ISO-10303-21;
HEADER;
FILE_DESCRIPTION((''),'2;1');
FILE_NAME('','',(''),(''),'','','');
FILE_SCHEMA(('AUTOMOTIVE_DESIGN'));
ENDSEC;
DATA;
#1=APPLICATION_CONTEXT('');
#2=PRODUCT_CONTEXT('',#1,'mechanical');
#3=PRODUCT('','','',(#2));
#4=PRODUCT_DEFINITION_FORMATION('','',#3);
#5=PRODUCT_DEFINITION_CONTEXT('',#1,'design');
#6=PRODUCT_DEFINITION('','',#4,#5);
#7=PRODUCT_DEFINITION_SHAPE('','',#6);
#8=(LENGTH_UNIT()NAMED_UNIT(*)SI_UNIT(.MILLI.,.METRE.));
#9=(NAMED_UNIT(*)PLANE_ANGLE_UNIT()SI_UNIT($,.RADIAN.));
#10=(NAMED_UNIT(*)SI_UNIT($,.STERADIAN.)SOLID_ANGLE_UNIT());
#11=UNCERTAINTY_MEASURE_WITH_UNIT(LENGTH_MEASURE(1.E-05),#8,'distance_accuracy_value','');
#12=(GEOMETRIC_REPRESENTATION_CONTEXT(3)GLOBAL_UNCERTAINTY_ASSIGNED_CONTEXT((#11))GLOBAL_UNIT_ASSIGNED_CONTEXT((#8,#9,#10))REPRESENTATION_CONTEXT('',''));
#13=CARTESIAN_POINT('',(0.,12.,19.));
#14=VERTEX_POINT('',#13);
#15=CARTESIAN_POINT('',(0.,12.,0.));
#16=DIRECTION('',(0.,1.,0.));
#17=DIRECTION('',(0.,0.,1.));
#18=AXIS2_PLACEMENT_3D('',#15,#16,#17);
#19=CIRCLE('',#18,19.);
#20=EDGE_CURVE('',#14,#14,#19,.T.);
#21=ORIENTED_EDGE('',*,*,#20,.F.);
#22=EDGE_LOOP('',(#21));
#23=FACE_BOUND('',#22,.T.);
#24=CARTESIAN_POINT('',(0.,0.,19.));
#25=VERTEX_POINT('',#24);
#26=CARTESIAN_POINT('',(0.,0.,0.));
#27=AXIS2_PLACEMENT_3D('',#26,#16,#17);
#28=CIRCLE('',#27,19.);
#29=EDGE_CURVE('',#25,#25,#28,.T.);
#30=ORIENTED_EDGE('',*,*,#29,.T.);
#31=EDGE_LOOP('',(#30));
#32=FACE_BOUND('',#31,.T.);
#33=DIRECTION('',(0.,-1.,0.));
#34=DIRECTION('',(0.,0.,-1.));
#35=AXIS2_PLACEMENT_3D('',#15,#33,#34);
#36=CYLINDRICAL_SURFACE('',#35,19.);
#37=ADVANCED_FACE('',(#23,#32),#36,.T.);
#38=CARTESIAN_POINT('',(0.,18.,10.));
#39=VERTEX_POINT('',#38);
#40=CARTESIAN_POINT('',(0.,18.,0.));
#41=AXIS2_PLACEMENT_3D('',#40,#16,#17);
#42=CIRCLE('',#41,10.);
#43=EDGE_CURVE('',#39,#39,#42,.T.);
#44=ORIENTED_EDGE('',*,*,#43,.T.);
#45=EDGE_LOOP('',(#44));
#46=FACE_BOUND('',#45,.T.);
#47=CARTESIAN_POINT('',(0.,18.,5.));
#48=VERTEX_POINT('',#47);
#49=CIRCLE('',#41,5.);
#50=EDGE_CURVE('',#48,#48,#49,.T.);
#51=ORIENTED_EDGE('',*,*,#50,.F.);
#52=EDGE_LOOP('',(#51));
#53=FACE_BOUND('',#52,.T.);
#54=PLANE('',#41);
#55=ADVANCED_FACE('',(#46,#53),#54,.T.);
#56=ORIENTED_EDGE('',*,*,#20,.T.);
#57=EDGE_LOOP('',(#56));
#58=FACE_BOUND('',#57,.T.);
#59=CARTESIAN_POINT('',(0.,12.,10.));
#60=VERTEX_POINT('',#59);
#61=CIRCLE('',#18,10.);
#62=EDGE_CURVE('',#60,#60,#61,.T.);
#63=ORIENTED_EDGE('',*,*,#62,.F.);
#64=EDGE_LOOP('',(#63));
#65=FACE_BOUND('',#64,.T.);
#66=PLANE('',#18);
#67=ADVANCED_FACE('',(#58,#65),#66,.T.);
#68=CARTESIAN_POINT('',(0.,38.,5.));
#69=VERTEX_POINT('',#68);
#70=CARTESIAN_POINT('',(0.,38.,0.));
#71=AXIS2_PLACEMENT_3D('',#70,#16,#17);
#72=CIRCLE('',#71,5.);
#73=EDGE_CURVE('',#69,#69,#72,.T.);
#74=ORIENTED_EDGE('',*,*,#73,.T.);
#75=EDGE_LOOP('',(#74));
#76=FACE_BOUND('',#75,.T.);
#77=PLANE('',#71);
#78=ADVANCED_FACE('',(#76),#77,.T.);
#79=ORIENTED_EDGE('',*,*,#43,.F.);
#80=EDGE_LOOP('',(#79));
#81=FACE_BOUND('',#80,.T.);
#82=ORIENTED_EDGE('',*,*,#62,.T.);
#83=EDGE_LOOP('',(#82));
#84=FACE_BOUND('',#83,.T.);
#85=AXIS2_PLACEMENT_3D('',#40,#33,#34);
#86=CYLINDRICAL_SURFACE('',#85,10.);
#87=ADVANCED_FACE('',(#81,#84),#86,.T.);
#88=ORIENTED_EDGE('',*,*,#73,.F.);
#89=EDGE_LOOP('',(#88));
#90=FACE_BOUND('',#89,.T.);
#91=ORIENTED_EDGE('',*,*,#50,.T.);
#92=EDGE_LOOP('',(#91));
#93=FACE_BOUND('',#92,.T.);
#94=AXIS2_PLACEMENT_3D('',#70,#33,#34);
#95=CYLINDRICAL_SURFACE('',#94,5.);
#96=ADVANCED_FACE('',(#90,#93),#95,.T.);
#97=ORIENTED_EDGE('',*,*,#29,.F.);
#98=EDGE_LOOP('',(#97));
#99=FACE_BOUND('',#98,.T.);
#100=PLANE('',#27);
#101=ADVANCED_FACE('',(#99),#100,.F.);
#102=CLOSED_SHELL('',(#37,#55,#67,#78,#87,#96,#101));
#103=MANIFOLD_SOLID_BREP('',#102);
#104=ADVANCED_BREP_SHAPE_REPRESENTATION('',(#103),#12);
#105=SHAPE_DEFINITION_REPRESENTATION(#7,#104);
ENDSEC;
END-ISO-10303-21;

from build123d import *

# Parameters (mm, degrees)
SKETCH_1_R      = 19
EXTRUDE_1_DEPTH = 12
SKETCH_2_R      = 10
EXTRUDE_2_DEPTH = 6
SKETCH_3_R      = 5
EXTRUDE_3_DEPTH = 20


with BuildPart() as part:
    # 草图1 → 凸台-拉伸1 (new body)
    with BuildSketch(Plane(origin=(0, 0, 0), x_dir=(1, 0, 0), z_dir=(0, 1, 0))):
        Circle(SKETCH_1_R)
    extrude(amount=EXTRUDE_1_DEPTH)

    # 草图2 → 凸台-拉伸2 (add)
    with BuildSketch(Plane(origin=(0, 12, 0), x_dir=(1, 0, 0), z_dir=(0, 1, 0))):
        Circle(SKETCH_2_R)
    extrude(amount=EXTRUDE_2_DEPTH)

    # 草图3 → 凸台-拉伸3 (add)
    with BuildSketch(Plane(origin=(0, 18, 0), x_dir=(1, 0, 0), z_dir=(0, 1, 0))):
        Circle(SKETCH_3_R)
    extrude(amount=EXTRUDE_3_DEPTH)


solid = part.part
